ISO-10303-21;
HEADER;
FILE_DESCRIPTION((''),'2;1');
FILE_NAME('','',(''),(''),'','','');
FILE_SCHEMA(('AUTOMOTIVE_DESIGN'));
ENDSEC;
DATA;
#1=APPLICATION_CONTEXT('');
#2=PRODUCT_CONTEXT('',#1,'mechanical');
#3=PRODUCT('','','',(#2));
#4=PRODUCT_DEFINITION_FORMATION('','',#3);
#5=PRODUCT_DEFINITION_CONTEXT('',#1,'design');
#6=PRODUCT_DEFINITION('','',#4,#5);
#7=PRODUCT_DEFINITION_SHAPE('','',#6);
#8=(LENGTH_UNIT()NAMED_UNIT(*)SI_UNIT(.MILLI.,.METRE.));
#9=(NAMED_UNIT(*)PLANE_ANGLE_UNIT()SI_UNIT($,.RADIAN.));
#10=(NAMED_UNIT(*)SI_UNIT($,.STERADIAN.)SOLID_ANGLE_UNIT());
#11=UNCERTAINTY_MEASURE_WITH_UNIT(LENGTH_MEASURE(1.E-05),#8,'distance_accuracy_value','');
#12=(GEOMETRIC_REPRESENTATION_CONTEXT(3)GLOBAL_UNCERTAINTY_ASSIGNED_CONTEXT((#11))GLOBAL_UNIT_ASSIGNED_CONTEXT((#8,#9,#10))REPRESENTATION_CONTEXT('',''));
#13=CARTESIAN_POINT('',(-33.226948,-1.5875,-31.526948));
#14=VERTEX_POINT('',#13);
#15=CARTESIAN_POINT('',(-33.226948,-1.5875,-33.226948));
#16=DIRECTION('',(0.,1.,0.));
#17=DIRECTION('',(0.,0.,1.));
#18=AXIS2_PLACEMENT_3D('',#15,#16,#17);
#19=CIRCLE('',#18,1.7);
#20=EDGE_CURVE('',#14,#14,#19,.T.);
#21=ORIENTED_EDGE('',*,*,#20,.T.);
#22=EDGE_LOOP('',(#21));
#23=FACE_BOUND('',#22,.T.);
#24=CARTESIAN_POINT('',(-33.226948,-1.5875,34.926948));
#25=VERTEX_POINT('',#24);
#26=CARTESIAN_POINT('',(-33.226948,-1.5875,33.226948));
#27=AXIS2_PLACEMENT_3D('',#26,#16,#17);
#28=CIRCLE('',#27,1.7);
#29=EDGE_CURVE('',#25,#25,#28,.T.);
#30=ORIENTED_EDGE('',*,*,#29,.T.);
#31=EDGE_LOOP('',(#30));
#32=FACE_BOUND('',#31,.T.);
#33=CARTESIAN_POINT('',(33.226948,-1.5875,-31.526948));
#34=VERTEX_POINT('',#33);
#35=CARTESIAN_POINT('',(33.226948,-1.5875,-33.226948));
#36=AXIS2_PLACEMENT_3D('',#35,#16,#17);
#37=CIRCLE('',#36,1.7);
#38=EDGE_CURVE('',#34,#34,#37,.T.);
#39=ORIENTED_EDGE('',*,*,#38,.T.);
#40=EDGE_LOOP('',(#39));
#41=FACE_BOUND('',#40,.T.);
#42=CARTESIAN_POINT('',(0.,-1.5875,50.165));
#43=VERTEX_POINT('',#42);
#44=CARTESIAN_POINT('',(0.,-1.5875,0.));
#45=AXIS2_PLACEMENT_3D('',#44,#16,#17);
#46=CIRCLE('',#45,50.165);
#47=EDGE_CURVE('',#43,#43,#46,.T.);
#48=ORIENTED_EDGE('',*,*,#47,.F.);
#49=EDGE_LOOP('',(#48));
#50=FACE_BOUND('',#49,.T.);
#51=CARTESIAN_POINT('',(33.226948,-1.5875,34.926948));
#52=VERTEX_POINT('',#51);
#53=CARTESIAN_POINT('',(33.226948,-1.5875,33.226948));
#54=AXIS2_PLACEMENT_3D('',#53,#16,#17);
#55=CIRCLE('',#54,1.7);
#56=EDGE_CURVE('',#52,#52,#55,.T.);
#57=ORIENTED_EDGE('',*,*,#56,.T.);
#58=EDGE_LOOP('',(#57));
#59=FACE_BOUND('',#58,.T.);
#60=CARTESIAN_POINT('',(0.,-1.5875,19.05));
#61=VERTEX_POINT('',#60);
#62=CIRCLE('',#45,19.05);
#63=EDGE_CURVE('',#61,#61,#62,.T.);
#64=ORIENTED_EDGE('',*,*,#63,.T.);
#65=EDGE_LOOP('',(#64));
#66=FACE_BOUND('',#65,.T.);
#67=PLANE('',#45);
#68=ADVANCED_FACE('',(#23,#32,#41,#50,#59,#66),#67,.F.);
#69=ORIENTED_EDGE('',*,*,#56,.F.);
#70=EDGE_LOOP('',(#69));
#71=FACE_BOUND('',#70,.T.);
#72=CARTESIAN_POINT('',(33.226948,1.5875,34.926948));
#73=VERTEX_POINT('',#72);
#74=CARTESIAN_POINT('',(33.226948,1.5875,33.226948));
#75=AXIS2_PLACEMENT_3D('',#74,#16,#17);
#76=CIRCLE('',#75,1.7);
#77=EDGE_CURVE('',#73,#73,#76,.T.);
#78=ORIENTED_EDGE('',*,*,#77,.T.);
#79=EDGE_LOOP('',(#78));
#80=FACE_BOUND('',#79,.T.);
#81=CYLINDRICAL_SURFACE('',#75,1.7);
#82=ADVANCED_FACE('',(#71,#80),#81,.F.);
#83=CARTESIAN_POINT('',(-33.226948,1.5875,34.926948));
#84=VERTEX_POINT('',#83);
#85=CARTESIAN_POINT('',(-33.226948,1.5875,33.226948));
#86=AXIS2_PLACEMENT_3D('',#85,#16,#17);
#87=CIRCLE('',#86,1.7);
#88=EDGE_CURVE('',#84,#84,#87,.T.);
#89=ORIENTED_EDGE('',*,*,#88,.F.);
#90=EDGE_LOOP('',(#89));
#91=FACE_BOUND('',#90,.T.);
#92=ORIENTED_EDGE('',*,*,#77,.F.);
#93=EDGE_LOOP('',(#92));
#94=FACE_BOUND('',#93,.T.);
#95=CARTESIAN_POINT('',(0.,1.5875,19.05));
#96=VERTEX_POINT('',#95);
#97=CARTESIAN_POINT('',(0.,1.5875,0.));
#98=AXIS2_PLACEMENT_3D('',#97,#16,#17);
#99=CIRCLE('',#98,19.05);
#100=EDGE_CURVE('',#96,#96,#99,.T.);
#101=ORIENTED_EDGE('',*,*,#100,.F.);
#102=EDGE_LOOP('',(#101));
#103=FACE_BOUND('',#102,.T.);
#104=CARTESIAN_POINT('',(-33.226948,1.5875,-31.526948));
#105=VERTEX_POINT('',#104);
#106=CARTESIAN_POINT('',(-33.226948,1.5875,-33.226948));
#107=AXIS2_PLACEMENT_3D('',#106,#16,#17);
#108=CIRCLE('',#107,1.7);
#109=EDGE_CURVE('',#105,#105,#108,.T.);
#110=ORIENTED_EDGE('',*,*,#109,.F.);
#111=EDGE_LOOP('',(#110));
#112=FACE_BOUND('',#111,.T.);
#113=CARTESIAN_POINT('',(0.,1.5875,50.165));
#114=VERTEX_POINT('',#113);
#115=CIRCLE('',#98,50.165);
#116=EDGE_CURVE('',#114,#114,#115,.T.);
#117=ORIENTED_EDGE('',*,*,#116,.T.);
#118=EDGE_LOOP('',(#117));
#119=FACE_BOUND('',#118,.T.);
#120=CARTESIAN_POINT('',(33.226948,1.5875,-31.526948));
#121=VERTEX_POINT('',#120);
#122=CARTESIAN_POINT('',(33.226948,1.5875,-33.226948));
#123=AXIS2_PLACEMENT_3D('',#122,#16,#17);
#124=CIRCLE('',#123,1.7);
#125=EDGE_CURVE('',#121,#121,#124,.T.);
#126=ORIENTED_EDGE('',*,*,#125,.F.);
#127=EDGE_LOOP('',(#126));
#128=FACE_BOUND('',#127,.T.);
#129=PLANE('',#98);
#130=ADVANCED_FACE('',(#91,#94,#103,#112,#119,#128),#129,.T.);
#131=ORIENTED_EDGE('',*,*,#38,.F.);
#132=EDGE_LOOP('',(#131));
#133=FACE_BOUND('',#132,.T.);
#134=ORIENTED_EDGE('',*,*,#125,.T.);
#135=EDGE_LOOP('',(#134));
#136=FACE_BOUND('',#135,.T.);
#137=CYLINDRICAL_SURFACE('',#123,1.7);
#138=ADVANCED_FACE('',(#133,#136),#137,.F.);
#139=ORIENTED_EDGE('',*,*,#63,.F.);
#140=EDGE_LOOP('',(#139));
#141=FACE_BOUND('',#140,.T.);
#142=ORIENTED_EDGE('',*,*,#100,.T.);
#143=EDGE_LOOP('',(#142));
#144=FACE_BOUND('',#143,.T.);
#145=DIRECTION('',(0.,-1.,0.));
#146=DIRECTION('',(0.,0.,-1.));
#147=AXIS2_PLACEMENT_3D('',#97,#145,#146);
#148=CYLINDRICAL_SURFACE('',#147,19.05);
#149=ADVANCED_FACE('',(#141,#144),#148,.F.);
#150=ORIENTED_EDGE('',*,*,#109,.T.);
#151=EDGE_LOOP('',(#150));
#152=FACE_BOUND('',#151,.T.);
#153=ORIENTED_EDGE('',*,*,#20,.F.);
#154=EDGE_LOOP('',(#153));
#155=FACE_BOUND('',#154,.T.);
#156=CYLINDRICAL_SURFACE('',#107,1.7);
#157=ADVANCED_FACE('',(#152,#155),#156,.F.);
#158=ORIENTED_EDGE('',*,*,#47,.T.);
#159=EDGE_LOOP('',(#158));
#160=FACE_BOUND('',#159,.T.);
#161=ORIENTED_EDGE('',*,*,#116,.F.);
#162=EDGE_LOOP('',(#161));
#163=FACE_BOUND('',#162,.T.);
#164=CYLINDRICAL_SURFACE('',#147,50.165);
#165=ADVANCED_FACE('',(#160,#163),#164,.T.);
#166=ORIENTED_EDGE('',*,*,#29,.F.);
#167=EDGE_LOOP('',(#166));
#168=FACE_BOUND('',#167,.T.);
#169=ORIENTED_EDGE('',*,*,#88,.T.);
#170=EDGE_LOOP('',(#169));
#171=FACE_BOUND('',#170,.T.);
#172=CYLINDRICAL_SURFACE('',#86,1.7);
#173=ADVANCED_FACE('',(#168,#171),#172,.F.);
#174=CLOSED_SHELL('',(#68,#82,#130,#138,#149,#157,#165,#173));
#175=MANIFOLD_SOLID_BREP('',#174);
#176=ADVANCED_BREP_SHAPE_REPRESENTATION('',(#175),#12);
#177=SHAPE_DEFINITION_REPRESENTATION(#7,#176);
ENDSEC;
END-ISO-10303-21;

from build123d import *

# Parameters (mm, degrees)
SKETCH1_R            = 50.165
SKETCH1_R_2          = 19.05
BOSS_EXTRUDE1_DEPTH  = 1.5875
M3_CLEARANCE_HOLE1_D = 3.4


with BuildPart() as part:
    # Sketch1 → Boss-Extrude1 (new, symmetric)
    with BuildSketch(Plane(origin=(0, 0, 0), x_dir=(1, 0, 0), z_dir=(0, 1, 0))):
        with Locations(Location((0, 0, 0), (0, 0, 270))):
            Circle(SKETCH1_R)
        with Locations(Location((0, 0, 0), (0, 0, 270))):
            Circle(SKETCH1_R_2, mode=Mode.SUBTRACT)
    extrude(amount=BOSS_EXTRUDE1_DEPTH, both=True)

    # M3 Clearance Hole1 (through all)
    with Locations(Plane(origin=(0, 1.5875, 0), x_dir=(1, 0, 0), z_dir=(0, 1, 0))):
        with Locations((-33.226947648, -33.226947648), (-33.226947648, 33.226947648), (33.226947648, 33.226947648), (33.226947648, -33.226947648)):
            Hole(M3_CLEARANCE_HOLE1_D / 2)


solid = part.part
